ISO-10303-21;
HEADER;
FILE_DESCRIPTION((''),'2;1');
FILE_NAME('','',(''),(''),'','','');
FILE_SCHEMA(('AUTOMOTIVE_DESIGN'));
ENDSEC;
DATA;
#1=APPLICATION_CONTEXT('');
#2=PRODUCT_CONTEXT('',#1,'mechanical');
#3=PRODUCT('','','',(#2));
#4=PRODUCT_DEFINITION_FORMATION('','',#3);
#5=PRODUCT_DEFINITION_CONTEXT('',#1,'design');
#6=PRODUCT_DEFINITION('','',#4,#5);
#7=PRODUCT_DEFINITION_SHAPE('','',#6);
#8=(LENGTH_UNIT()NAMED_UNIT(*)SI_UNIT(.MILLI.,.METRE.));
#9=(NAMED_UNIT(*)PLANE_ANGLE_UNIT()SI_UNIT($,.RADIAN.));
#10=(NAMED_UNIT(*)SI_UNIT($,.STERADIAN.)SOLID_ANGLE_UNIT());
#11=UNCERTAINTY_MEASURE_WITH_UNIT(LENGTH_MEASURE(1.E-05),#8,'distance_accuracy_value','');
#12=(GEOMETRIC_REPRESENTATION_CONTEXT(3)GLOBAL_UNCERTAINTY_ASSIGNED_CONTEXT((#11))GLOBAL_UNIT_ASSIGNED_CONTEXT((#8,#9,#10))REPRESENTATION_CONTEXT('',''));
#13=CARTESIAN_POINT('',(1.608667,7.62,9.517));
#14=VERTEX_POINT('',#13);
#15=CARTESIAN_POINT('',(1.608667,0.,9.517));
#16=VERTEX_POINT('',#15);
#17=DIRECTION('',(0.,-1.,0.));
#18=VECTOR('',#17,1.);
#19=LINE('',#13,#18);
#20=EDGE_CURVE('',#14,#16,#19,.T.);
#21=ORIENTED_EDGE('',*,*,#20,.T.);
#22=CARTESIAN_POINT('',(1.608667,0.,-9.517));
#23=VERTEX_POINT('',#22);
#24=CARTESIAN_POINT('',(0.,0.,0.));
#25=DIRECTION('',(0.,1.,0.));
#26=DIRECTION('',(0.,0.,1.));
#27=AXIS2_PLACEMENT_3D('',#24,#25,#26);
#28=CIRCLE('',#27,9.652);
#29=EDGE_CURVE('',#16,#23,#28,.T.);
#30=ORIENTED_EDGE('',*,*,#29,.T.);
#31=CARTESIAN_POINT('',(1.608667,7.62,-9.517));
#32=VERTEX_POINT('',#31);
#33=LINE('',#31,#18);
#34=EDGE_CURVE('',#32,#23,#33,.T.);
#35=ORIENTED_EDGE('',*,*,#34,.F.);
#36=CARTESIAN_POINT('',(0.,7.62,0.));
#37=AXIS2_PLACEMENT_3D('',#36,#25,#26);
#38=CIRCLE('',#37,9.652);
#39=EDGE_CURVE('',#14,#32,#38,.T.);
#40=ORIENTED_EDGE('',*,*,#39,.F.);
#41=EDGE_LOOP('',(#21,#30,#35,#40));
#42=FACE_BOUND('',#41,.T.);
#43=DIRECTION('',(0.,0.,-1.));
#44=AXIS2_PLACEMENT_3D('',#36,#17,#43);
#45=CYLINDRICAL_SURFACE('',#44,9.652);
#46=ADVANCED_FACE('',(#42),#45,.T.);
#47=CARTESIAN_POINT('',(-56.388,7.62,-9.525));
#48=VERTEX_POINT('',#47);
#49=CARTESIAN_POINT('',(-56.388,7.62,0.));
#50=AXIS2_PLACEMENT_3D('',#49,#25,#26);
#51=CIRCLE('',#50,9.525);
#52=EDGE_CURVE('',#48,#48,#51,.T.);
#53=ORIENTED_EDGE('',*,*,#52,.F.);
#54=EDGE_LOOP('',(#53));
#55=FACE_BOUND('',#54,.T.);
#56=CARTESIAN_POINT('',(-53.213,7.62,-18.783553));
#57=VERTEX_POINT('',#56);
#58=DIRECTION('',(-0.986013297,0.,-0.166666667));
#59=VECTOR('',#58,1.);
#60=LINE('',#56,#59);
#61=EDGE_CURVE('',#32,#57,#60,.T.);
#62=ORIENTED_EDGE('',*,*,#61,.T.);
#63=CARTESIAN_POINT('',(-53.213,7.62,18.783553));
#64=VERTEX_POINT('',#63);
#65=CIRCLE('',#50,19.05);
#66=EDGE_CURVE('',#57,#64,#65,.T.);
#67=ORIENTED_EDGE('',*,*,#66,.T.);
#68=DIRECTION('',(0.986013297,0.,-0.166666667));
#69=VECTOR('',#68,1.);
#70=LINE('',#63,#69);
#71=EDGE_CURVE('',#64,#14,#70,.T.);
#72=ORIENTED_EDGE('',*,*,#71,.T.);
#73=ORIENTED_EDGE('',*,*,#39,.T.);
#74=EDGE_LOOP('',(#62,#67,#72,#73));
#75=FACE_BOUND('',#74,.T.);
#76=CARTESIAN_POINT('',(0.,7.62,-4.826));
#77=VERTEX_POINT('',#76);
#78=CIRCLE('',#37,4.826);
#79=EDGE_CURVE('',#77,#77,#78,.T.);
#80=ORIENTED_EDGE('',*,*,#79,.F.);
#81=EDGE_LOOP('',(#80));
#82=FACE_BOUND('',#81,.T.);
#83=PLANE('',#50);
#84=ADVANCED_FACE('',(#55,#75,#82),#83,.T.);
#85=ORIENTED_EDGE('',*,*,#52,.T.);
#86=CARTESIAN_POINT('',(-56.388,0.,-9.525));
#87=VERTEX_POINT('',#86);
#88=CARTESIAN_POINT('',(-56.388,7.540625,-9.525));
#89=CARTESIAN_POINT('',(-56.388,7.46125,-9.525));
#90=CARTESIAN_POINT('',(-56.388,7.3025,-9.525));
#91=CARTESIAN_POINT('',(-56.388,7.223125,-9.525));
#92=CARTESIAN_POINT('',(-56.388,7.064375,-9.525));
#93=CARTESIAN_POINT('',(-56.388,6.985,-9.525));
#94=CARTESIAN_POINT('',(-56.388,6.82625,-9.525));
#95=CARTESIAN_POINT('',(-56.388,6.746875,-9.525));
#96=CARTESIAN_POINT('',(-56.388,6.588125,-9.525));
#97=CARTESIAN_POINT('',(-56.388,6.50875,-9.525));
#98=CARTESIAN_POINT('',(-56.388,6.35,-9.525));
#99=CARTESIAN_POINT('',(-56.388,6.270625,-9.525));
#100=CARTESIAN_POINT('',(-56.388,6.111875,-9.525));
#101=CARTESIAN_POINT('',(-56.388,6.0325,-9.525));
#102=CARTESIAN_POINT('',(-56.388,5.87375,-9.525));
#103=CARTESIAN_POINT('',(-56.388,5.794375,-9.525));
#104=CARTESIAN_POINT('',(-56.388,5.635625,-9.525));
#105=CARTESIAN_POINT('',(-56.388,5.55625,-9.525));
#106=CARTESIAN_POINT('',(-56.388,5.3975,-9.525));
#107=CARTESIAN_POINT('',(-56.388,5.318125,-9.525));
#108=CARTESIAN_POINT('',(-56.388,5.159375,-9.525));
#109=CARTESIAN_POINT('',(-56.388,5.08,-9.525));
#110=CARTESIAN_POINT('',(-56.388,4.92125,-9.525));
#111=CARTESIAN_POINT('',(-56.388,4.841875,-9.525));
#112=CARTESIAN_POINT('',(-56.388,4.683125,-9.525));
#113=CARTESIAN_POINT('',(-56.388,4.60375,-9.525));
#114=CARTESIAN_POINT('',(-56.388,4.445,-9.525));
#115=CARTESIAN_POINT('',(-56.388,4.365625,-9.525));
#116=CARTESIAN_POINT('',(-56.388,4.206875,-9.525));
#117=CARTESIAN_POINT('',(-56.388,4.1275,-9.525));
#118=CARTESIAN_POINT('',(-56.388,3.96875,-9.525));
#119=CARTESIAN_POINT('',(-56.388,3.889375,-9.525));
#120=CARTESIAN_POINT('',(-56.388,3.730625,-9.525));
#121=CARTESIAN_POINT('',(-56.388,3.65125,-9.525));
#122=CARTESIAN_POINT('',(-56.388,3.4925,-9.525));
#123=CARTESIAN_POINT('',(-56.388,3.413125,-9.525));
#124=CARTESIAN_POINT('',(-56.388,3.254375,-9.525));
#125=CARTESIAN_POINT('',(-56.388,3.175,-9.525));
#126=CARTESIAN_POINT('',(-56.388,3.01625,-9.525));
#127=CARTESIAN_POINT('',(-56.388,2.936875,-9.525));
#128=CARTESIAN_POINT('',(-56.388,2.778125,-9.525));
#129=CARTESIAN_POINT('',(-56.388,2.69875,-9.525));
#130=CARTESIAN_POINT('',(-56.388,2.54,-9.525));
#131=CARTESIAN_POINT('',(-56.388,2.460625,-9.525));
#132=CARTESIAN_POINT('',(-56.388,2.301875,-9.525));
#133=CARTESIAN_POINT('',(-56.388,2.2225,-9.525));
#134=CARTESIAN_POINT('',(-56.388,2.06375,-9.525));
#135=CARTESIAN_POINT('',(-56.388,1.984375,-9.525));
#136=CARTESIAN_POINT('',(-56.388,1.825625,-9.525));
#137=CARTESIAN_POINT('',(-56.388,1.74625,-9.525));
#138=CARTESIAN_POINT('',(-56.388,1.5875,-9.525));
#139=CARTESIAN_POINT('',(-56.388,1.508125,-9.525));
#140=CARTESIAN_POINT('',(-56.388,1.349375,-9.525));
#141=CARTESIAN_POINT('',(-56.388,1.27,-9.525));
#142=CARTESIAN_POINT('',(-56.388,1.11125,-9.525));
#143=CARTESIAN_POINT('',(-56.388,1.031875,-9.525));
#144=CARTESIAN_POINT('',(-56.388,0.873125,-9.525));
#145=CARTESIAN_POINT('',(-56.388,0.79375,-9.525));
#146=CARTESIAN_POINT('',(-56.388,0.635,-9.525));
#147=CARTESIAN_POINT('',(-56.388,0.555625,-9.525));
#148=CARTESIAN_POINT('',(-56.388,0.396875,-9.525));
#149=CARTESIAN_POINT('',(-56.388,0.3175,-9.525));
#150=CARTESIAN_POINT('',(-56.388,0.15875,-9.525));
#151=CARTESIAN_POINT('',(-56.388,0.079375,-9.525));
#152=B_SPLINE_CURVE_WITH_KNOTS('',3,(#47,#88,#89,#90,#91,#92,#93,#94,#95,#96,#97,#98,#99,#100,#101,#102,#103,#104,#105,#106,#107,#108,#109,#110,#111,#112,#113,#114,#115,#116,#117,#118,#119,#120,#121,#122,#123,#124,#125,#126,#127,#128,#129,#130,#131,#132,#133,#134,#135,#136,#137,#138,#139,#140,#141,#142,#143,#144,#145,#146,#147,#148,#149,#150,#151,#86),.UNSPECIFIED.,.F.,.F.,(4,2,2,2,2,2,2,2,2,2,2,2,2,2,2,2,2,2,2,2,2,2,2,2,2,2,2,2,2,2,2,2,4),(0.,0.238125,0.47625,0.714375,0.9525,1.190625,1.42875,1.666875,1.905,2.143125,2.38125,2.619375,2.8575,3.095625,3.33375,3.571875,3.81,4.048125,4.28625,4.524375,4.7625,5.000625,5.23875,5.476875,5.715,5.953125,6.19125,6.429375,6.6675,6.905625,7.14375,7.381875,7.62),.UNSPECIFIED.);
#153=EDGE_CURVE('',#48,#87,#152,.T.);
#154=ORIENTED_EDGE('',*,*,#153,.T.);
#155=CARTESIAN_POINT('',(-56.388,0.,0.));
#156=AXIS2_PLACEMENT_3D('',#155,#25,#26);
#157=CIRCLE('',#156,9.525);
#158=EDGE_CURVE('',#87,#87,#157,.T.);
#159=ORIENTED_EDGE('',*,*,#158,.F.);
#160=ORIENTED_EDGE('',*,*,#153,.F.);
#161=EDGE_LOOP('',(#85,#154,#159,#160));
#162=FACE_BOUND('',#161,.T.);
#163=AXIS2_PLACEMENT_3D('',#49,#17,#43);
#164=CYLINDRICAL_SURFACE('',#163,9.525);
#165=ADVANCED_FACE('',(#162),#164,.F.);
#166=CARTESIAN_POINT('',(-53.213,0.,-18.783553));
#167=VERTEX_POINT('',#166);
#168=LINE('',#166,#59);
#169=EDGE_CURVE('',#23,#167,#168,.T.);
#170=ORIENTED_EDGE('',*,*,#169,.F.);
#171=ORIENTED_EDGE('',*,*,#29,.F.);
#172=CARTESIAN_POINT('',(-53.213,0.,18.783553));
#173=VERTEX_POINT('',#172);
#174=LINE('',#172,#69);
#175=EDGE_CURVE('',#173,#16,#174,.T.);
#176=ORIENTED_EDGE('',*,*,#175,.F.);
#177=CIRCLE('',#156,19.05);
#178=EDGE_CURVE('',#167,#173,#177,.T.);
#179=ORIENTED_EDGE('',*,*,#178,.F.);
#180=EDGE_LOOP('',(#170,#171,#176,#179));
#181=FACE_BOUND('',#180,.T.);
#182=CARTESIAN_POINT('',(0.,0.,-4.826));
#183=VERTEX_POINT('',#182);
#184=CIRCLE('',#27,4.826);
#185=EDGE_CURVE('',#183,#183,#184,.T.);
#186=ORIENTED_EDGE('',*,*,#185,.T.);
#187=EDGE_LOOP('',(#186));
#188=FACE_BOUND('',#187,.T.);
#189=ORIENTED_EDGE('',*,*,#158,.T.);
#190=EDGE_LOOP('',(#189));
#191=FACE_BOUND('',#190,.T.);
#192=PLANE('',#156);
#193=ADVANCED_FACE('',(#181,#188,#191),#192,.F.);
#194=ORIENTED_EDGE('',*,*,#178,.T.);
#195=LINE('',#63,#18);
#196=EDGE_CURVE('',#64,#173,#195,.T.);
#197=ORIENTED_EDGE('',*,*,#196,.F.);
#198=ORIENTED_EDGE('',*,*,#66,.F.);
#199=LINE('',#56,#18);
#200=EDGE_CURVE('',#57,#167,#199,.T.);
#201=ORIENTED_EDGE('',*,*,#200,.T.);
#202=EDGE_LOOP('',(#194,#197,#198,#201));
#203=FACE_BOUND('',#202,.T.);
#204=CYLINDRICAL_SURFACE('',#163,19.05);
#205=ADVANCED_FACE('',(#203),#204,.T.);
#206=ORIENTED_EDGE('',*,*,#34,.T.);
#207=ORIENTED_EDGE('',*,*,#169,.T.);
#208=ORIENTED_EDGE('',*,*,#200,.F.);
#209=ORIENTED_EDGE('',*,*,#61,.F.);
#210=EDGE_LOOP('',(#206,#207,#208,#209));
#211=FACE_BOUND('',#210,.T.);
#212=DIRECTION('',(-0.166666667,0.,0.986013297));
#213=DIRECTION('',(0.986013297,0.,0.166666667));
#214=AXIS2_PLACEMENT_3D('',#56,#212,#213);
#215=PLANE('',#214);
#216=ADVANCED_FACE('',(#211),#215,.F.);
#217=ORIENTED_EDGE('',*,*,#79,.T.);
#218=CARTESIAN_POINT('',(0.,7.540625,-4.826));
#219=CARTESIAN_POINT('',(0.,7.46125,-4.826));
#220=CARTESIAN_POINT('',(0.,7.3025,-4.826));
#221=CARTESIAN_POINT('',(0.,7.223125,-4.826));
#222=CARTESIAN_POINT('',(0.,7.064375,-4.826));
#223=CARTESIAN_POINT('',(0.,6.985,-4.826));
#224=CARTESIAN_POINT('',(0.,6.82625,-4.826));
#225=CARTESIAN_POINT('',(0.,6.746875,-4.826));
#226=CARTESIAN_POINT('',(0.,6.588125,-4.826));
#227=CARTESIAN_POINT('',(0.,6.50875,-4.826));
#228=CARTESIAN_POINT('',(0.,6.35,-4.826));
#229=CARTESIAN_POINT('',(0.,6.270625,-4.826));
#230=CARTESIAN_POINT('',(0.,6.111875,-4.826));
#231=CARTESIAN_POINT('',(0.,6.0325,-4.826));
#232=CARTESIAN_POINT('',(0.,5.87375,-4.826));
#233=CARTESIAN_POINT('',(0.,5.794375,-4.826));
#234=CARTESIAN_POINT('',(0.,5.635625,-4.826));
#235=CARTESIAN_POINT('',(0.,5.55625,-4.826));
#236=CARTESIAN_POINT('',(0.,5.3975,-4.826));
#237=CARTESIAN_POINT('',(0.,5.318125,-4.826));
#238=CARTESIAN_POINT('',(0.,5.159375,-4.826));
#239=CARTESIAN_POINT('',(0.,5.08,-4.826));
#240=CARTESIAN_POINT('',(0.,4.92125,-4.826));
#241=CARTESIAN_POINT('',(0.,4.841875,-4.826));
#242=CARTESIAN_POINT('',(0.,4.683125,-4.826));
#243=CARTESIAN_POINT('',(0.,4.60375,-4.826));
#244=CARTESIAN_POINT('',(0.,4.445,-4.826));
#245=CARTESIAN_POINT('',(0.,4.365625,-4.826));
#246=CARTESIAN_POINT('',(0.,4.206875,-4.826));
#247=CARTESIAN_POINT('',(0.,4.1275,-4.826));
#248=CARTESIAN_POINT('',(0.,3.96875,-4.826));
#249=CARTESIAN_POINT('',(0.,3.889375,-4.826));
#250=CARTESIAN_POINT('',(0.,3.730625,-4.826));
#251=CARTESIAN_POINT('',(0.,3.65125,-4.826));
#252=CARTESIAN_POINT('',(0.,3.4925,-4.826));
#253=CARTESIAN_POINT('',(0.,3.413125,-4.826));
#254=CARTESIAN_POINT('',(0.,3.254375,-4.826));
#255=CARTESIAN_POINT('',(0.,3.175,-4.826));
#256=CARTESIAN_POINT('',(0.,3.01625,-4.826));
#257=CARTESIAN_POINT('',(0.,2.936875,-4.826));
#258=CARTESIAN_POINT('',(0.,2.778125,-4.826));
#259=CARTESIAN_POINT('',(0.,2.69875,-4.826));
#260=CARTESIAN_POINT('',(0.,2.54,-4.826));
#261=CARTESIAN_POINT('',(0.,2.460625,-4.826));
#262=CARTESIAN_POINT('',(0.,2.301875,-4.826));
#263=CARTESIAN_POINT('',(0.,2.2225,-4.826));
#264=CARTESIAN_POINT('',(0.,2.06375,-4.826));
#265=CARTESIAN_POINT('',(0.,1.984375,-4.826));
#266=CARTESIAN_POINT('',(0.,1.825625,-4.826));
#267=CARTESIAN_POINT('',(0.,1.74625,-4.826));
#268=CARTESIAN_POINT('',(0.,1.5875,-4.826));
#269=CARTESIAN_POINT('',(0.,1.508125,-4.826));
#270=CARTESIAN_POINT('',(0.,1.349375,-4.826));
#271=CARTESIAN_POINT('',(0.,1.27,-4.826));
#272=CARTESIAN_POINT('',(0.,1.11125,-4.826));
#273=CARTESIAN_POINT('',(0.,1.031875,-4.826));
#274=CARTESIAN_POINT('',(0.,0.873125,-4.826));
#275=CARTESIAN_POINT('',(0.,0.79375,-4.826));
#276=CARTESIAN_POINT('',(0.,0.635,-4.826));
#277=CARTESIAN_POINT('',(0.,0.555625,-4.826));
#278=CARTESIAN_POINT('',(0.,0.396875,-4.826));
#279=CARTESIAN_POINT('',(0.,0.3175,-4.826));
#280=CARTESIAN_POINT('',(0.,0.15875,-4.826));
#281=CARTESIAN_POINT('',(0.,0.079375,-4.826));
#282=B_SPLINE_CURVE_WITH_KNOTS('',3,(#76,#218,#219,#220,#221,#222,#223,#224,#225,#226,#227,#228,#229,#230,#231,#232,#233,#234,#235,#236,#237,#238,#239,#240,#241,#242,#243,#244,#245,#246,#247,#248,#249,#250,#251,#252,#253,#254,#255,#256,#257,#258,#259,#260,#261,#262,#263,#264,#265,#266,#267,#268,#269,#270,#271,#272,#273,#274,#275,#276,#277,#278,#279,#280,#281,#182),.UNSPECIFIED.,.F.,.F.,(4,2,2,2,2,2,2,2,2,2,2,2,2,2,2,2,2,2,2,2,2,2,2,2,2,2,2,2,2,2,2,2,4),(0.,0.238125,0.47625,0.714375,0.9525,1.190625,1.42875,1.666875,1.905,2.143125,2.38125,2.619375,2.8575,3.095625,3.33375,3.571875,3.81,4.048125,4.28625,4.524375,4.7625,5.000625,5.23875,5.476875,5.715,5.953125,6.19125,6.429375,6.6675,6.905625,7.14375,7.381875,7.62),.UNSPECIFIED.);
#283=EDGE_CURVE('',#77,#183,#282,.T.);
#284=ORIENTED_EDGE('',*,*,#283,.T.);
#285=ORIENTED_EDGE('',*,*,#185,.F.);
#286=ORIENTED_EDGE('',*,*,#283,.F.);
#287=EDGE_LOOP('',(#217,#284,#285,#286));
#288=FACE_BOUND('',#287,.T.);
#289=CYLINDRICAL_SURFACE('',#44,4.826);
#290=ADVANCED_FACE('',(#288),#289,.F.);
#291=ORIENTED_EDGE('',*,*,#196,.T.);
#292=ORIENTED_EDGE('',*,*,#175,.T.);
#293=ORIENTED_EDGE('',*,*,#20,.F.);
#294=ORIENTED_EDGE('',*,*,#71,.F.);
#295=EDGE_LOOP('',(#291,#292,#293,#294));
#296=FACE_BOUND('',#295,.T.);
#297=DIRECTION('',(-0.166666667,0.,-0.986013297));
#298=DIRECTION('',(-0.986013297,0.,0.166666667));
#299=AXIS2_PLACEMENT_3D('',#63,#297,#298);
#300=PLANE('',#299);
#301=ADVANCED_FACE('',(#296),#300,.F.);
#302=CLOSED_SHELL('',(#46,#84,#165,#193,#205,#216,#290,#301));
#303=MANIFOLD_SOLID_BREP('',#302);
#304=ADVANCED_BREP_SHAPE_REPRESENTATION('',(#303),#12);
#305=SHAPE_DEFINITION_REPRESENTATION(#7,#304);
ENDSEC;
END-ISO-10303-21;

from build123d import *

# Parameters (mm, degrees)
SKETCH1_R           = 9.525
SKETCH1_R_2         = 4.826
BOSS_EXTRUDE1_DEPTH = 7.62


with BuildPart() as part:
    # Sketch1 → Boss-Extrude1 (new body)
    with BuildSketch(Plane(origin=(0, 0, 0), x_dir=(1, 0, 0), z_dir=(0, 1, 0))):
        with BuildLine():
            Line((-53.213, 18.783553311), (1.608666667, 9.517000344))
            ThreePointArc((1.608666667, 9.517000344), (9.652, 0), (1.608666667, -9.517000344))
            Line((1.608666667, -9.517000344), (-53.213, -18.783553311))
            ThreePointArc((-53.213, -18.783553311), (-75.438, 0), (-53.213, 18.783553311))
        make_face()
        with Locations(Location((-56.388, 0, 0), (0, 0, 90))):
            Circle(SKETCH1_R, mode=Mode.SUBTRACT)
        with Locations(Location((0, 0, 0), (0, 0, 90))):
            Circle(SKETCH1_R_2, mode=Mode.SUBTRACT)
    extrude(amount=BOSS_EXTRUDE1_DEPTH)


solid = part.part
